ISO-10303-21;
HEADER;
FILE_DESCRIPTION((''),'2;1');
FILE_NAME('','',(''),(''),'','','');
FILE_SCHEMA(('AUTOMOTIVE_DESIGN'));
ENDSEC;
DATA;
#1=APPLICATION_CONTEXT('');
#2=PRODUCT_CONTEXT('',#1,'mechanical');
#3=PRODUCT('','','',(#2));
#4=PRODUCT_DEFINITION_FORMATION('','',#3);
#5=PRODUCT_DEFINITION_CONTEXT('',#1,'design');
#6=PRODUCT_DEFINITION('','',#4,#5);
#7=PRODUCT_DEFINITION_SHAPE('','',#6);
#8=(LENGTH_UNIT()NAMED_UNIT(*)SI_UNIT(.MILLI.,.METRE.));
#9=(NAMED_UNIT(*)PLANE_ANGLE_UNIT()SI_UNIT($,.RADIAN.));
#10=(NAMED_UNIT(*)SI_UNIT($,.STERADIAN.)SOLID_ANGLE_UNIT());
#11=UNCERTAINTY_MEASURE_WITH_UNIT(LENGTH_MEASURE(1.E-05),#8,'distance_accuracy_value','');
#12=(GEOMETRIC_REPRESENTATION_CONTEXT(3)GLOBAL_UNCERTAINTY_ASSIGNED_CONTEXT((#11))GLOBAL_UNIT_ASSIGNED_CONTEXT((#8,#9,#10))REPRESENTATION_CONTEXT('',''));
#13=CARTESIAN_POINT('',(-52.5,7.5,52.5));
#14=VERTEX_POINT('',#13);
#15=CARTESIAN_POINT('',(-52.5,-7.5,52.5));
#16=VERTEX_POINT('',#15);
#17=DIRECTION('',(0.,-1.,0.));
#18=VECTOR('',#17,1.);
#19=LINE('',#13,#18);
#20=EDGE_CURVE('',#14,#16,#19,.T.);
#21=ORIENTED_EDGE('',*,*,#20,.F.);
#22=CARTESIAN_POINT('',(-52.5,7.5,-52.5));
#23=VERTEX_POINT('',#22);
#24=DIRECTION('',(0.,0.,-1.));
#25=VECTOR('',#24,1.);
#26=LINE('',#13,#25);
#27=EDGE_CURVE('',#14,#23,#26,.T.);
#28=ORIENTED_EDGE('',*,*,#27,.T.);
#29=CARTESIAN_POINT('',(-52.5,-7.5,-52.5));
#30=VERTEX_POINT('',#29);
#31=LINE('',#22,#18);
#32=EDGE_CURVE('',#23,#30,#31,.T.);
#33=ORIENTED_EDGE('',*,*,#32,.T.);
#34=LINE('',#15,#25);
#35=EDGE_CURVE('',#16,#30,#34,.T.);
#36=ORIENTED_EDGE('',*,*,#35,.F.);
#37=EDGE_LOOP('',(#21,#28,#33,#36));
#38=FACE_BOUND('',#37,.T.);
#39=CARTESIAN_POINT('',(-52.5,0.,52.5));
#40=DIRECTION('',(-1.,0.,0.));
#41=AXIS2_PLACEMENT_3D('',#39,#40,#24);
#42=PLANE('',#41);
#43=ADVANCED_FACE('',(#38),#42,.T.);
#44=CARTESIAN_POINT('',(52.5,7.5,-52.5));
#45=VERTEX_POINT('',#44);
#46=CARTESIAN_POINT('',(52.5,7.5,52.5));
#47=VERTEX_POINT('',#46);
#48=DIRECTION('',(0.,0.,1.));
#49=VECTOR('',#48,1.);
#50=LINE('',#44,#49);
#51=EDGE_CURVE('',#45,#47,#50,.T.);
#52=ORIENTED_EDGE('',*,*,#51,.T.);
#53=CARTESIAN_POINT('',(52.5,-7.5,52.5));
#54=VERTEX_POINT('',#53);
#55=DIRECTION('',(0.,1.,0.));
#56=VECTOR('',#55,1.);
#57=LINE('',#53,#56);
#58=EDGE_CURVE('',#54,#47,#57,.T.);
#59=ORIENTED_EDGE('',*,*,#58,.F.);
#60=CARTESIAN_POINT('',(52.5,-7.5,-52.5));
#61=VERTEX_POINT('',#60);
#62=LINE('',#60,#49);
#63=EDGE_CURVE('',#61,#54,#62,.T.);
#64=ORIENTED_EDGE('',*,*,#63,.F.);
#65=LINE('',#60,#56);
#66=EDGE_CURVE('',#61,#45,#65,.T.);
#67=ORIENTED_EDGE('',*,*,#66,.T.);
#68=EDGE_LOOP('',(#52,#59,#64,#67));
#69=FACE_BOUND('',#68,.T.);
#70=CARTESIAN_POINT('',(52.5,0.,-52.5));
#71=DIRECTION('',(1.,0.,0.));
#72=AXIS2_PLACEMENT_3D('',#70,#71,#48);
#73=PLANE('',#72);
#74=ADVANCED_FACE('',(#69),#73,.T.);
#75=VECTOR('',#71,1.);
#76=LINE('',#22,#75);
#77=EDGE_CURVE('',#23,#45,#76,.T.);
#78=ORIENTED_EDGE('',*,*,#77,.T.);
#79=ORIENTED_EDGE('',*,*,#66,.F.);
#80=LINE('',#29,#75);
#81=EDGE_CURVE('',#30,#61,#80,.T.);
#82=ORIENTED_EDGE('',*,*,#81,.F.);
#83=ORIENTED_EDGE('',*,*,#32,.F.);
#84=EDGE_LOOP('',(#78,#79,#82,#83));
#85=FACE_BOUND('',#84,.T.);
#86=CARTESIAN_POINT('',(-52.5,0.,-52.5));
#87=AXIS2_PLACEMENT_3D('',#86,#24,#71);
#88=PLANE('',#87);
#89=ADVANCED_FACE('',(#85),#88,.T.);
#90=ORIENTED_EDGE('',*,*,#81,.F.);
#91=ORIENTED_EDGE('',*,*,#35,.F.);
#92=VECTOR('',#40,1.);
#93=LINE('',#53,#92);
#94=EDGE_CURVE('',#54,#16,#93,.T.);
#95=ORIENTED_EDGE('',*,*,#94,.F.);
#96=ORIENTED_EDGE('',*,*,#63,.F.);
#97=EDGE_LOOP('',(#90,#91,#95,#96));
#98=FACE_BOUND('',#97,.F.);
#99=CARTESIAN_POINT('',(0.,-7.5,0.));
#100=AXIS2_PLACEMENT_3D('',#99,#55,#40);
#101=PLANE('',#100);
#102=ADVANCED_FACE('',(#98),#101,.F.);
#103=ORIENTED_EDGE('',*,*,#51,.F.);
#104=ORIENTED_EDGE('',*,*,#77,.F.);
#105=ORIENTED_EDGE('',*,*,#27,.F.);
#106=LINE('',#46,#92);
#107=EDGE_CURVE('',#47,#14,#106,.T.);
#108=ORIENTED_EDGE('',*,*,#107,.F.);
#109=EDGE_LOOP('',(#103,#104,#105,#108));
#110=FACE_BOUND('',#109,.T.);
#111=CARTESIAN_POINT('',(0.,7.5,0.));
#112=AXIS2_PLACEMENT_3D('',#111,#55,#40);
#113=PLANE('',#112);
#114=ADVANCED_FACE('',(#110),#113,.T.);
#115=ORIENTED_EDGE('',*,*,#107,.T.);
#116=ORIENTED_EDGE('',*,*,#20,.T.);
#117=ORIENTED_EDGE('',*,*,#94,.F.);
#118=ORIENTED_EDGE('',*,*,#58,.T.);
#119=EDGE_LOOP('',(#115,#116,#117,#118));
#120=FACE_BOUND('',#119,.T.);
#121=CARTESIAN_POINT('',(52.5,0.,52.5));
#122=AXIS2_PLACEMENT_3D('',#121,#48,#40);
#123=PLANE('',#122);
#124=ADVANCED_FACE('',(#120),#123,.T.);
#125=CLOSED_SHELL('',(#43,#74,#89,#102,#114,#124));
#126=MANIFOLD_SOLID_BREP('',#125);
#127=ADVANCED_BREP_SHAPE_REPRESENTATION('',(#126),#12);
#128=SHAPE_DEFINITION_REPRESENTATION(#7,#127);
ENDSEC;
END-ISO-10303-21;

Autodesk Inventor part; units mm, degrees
ref_plane "YZ Plane" through (0, 0, 0) normal (1, 0, 0) x (0, 1, 0)
ref_plane "XZ Plane" through (0, 0, 0) normal (0, 1, 0) x (-1, 0, 0)
ref_plane "XY Plane" through (0, 0, 0) normal (0, 0, 1) x (1, 0, 0)
sketch "Sketch1" plane through (0, 0, 0) normal (0, 1, 0) x (-1, 0, 0)
  line L0 (-52.5, 52.5) -> (52.5, 52.5)
  line L1 (52.5, 52.5) -> (52.5, -52.5)
  line L2 (52.5, -52.5) -> (-52.5, -52.5)
  line L3 (-52.5, -52.5) -> (-52.5, 52.5)
  line L4 (-52.5, 52.5) -> (52.5, -52.5) construction
  line L5 (52.5, 52.5) -> (-52.5, -52.5) construction
  point P0 (0, 0)
  dimension "d0" = 105
  dimension "d1" = 105
extrude "Extrusion1" add sketch "Sketch1" along normal mid plane 15
equation "\"d0\" = stock_xw"
equation "\"d1\" = stock_yw"
equation "\"d2\" = stock_zw"
equation "\"stock_xw\" = 105"
equation "\"stock_yw\" = 105"
equation "\"stock_zw\" = 15"
properties part number "SquareStock"
